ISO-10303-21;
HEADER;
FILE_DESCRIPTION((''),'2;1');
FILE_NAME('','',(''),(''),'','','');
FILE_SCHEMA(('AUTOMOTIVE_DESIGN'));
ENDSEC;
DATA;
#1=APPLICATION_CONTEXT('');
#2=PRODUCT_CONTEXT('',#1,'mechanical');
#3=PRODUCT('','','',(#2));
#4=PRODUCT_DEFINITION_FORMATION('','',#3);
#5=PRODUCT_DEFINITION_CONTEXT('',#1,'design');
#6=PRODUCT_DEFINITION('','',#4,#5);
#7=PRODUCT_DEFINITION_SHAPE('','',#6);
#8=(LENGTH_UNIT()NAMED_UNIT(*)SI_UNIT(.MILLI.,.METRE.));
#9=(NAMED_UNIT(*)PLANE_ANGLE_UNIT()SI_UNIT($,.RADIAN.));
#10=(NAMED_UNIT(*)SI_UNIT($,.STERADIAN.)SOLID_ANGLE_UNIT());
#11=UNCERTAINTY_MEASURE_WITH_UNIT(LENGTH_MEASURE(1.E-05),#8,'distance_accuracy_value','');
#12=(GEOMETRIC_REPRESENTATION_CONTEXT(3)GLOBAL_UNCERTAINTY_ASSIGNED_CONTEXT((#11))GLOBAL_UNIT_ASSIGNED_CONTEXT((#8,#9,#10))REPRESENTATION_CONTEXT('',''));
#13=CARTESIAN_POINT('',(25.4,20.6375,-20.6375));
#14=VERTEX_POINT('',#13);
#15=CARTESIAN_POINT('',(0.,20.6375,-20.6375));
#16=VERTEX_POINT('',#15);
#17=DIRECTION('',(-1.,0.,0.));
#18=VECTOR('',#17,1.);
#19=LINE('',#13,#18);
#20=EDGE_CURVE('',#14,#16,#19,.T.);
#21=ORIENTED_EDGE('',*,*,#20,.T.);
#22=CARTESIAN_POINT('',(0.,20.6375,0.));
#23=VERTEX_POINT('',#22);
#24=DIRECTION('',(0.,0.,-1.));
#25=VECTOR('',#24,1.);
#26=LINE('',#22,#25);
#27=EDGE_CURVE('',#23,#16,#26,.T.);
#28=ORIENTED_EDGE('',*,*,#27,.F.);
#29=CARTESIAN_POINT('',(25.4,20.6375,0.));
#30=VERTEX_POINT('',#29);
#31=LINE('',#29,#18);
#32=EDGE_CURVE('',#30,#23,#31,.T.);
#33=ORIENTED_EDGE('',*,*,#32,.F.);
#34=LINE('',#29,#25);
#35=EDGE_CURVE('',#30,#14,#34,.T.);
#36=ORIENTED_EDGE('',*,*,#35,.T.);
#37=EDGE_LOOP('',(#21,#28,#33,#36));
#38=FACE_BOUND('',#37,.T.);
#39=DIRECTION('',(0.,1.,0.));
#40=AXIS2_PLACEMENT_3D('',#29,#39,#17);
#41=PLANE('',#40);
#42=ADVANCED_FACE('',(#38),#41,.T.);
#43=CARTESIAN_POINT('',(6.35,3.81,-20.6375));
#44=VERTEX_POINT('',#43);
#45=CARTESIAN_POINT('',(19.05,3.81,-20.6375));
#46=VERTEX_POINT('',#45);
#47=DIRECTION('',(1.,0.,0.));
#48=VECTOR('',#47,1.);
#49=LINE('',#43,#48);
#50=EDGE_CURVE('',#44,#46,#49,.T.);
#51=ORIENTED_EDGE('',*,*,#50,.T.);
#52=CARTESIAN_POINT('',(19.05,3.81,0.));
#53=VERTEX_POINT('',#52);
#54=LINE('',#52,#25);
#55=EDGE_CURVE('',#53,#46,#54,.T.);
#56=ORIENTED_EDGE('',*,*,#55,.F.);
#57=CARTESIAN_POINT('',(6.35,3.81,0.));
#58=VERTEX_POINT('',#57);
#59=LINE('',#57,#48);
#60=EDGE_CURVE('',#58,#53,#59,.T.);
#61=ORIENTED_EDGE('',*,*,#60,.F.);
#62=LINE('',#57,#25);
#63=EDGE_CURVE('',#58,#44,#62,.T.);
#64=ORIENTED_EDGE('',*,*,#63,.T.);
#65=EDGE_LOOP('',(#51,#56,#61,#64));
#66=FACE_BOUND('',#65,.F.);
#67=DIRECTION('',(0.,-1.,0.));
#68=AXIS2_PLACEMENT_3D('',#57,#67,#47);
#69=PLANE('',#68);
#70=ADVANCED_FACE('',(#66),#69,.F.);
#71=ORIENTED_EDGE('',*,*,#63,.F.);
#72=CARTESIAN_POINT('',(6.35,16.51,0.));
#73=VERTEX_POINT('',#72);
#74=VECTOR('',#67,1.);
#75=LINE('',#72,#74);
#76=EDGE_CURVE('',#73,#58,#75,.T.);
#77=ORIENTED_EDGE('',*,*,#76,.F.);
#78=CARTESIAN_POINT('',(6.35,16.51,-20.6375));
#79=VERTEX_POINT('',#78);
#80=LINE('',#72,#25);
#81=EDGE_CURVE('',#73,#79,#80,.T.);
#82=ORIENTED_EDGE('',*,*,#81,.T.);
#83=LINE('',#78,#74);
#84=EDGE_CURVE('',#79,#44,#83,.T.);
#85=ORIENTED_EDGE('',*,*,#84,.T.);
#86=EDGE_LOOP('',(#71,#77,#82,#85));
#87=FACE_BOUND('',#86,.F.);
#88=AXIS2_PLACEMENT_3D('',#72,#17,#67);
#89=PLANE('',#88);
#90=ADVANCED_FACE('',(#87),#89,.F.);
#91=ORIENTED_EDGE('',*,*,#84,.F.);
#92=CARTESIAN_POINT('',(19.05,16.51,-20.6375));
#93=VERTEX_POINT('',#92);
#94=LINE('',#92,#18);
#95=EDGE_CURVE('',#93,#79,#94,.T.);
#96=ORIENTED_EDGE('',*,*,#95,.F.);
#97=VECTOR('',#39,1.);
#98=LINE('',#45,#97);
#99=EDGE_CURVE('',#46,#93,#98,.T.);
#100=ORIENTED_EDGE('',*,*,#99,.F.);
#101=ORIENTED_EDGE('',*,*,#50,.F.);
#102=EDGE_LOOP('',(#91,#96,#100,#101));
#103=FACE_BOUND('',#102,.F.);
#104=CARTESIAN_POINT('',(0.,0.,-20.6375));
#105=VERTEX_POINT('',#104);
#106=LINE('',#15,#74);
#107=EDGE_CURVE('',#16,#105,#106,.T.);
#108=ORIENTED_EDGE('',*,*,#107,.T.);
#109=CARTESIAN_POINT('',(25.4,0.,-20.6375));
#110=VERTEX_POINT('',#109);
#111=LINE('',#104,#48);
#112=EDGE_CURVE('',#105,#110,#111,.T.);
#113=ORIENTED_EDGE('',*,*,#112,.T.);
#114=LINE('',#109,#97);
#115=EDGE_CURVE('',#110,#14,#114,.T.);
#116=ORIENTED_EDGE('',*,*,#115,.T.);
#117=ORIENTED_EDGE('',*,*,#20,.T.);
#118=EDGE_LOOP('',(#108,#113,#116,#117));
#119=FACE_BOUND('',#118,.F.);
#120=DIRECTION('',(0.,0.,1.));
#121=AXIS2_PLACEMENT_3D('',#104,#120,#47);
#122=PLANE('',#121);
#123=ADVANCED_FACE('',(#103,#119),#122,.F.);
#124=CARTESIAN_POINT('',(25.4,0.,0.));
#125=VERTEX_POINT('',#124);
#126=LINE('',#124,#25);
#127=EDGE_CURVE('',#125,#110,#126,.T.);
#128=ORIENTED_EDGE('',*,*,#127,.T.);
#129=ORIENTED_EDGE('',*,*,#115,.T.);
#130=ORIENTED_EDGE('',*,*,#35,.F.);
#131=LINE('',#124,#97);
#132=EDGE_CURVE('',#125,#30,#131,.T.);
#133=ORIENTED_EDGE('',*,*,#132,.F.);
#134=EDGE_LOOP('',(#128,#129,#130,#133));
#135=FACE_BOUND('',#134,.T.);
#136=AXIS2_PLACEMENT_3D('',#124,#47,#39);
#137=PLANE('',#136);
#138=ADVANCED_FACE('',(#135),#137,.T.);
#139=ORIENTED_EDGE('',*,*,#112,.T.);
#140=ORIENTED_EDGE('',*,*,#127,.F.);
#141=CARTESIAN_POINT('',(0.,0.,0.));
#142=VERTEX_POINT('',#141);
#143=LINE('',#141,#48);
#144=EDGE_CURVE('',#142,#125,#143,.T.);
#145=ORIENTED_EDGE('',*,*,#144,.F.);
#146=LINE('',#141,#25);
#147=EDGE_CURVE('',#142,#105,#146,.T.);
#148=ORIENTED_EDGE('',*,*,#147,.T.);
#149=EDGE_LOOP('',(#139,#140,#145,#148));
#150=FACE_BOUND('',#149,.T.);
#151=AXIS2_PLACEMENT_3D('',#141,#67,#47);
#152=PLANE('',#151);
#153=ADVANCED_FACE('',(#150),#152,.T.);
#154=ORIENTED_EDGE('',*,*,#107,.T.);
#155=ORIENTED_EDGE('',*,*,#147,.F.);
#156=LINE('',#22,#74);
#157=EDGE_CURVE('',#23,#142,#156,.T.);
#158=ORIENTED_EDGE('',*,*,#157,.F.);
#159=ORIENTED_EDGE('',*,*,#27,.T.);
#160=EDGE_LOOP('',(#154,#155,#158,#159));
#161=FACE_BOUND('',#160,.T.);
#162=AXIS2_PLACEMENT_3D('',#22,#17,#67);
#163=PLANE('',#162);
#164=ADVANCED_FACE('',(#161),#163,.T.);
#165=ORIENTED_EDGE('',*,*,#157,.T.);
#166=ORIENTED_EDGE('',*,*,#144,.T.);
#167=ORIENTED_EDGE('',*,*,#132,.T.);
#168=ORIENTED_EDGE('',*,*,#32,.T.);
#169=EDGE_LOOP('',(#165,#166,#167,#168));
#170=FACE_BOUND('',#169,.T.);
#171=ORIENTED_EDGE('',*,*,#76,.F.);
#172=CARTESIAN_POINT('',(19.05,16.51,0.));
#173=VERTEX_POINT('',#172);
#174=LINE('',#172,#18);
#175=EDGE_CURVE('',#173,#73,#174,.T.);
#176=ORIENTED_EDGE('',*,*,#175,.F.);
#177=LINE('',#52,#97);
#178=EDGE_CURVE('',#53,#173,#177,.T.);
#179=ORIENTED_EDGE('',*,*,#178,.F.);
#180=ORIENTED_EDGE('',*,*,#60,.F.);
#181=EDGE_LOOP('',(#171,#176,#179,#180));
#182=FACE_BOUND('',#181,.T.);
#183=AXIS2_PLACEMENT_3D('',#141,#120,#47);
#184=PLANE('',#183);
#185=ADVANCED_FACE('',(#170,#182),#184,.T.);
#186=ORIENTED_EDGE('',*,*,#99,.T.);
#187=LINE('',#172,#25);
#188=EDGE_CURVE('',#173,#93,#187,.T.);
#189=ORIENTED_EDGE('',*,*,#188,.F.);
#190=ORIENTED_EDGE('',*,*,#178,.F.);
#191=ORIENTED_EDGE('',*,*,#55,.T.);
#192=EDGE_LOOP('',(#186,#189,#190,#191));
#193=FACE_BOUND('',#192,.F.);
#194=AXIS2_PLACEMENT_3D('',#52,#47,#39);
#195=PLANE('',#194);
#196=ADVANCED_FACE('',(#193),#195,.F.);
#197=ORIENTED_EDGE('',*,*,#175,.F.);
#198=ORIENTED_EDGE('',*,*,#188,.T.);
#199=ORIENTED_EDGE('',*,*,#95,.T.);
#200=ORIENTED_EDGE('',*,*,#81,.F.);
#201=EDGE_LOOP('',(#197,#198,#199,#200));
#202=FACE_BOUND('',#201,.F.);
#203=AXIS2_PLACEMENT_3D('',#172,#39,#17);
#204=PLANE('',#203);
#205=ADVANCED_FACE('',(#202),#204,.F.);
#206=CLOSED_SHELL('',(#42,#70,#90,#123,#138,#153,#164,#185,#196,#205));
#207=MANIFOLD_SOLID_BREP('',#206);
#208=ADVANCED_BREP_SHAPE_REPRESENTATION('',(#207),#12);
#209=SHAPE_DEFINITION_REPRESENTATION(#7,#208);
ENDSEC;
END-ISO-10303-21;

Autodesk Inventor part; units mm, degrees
ref_plane "YZ Plane" through (0, 0, 0) normal (1, 0, 0) x (0, 1, 0)
ref_plane "XZ Plane" through (0, 0, 0) normal (0, 1, 0) x (-1, 0, 0)
ref_plane "XY Plane" through (0, 0, 0) normal (0, 0, 1) x (1, 0, 0)
sketch "Sketch1" plane through (0, 0, 0) normal (0, 0, 1) x (1, 0, 0)
  line L0 (0, 0) -> (25.4, 0)
  line L1 (25.4, 0) -> (25.4, 20.6375)
  line L2 (25.4, 20.6375) -> (0, 20.6375)
  line L3 (0, 20.6375) -> (0, 0)
  line L4 (6.35, 3.81) -> (19.05, 3.81)
  line L5 (19.05, 3.81) -> (19.05, 16.51)
  line L6 (19.05, 16.51) -> (6.35, 16.51)
  line L7 (6.35, 16.51) -> (6.35, 3.81)
  point P0 (0, 10.3188)
  point P1 (12.7, 20.6375)
  dimension "d0" = 25.4
  dimension "d1" = 20.6375
  dimension "d22" = 12.7
  dimension "d23" = 12.7
  dimension "d24" = 6.35
  dimension "d25" = 4.1275
extrude "Extrusion2" add sketch "Sketch1" against normal blind 20.6375
properties part number "Wheel_axle_inner_spacer"
